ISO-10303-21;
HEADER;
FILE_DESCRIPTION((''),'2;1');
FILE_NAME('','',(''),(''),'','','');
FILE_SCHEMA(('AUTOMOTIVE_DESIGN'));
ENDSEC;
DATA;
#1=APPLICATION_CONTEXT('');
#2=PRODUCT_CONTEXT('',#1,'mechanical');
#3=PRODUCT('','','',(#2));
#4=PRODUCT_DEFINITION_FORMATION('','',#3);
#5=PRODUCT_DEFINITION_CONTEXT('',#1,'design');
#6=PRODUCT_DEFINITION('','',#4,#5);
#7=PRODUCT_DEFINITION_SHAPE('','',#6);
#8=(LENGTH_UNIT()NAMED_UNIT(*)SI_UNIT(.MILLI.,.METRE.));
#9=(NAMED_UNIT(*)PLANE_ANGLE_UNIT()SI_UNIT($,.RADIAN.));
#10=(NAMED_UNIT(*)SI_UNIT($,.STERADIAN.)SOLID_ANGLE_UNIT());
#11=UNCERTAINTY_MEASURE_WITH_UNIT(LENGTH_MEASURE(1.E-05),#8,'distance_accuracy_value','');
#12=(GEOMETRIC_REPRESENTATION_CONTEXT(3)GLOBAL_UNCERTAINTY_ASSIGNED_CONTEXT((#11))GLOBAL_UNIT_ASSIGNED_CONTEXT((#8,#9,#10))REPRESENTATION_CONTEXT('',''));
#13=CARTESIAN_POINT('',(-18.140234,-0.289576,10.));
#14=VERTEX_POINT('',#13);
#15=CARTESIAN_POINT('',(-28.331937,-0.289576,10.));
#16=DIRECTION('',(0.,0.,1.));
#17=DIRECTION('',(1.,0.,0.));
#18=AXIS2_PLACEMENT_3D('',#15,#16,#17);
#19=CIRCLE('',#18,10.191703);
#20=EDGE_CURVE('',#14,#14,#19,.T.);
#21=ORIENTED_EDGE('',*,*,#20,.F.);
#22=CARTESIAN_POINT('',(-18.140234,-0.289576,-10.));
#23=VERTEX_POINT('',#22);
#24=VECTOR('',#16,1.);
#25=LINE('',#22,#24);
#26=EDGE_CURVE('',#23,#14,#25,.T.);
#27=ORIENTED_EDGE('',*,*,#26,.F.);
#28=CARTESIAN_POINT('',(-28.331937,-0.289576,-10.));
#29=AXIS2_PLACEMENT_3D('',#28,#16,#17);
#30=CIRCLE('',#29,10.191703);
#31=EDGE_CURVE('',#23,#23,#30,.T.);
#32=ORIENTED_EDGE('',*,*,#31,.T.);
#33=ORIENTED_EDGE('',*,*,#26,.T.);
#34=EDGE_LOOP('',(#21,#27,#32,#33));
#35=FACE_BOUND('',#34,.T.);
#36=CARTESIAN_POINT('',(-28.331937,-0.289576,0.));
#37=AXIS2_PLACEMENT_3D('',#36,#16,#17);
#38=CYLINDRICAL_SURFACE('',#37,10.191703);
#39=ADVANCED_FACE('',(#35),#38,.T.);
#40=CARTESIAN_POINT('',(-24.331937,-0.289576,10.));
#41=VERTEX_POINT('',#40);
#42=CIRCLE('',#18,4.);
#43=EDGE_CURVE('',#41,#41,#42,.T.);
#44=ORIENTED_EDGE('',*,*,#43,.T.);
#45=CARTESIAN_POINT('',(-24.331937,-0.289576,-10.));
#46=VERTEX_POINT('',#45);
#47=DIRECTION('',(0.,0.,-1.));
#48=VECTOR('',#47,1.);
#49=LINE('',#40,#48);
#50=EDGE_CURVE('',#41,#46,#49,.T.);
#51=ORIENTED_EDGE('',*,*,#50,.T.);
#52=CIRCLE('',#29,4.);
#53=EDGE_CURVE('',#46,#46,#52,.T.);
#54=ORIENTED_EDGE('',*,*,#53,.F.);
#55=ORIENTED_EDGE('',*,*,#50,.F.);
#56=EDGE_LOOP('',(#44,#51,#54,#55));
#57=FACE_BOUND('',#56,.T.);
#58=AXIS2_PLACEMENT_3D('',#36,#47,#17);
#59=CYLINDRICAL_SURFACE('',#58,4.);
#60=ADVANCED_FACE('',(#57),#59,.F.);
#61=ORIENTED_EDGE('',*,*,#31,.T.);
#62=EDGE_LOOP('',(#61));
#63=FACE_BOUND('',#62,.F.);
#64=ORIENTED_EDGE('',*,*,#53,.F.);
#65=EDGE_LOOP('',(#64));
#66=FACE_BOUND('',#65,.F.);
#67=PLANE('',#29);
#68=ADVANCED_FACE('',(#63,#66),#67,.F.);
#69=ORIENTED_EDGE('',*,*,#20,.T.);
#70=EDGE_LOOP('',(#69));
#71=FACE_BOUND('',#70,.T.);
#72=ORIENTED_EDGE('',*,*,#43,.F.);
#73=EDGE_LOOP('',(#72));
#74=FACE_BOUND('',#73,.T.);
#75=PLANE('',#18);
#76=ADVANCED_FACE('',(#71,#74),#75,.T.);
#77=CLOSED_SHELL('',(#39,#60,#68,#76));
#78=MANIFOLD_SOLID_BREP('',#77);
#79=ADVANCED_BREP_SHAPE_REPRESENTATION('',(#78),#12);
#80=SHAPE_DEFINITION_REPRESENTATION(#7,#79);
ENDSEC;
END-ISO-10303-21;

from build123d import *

# Parameters (mm, degrees)
F0_R     = 10.191703
F0_R_2   = 4
F1_DEPTH = 10


with BuildPart() as f1:
    # F0 (on Top) → F1 (new body, symmetric)
    with BuildSketch(Plane.XY):
        with Locations((-28.331937, -0.289576)):
            Circle(F0_R)
        with Locations((-28.331937, -0.289576)):
            Circle(F0_R_2, mode=Mode.SUBTRACT)
    extrude(amount=F1_DEPTH, both=True)


solid = f1.part
